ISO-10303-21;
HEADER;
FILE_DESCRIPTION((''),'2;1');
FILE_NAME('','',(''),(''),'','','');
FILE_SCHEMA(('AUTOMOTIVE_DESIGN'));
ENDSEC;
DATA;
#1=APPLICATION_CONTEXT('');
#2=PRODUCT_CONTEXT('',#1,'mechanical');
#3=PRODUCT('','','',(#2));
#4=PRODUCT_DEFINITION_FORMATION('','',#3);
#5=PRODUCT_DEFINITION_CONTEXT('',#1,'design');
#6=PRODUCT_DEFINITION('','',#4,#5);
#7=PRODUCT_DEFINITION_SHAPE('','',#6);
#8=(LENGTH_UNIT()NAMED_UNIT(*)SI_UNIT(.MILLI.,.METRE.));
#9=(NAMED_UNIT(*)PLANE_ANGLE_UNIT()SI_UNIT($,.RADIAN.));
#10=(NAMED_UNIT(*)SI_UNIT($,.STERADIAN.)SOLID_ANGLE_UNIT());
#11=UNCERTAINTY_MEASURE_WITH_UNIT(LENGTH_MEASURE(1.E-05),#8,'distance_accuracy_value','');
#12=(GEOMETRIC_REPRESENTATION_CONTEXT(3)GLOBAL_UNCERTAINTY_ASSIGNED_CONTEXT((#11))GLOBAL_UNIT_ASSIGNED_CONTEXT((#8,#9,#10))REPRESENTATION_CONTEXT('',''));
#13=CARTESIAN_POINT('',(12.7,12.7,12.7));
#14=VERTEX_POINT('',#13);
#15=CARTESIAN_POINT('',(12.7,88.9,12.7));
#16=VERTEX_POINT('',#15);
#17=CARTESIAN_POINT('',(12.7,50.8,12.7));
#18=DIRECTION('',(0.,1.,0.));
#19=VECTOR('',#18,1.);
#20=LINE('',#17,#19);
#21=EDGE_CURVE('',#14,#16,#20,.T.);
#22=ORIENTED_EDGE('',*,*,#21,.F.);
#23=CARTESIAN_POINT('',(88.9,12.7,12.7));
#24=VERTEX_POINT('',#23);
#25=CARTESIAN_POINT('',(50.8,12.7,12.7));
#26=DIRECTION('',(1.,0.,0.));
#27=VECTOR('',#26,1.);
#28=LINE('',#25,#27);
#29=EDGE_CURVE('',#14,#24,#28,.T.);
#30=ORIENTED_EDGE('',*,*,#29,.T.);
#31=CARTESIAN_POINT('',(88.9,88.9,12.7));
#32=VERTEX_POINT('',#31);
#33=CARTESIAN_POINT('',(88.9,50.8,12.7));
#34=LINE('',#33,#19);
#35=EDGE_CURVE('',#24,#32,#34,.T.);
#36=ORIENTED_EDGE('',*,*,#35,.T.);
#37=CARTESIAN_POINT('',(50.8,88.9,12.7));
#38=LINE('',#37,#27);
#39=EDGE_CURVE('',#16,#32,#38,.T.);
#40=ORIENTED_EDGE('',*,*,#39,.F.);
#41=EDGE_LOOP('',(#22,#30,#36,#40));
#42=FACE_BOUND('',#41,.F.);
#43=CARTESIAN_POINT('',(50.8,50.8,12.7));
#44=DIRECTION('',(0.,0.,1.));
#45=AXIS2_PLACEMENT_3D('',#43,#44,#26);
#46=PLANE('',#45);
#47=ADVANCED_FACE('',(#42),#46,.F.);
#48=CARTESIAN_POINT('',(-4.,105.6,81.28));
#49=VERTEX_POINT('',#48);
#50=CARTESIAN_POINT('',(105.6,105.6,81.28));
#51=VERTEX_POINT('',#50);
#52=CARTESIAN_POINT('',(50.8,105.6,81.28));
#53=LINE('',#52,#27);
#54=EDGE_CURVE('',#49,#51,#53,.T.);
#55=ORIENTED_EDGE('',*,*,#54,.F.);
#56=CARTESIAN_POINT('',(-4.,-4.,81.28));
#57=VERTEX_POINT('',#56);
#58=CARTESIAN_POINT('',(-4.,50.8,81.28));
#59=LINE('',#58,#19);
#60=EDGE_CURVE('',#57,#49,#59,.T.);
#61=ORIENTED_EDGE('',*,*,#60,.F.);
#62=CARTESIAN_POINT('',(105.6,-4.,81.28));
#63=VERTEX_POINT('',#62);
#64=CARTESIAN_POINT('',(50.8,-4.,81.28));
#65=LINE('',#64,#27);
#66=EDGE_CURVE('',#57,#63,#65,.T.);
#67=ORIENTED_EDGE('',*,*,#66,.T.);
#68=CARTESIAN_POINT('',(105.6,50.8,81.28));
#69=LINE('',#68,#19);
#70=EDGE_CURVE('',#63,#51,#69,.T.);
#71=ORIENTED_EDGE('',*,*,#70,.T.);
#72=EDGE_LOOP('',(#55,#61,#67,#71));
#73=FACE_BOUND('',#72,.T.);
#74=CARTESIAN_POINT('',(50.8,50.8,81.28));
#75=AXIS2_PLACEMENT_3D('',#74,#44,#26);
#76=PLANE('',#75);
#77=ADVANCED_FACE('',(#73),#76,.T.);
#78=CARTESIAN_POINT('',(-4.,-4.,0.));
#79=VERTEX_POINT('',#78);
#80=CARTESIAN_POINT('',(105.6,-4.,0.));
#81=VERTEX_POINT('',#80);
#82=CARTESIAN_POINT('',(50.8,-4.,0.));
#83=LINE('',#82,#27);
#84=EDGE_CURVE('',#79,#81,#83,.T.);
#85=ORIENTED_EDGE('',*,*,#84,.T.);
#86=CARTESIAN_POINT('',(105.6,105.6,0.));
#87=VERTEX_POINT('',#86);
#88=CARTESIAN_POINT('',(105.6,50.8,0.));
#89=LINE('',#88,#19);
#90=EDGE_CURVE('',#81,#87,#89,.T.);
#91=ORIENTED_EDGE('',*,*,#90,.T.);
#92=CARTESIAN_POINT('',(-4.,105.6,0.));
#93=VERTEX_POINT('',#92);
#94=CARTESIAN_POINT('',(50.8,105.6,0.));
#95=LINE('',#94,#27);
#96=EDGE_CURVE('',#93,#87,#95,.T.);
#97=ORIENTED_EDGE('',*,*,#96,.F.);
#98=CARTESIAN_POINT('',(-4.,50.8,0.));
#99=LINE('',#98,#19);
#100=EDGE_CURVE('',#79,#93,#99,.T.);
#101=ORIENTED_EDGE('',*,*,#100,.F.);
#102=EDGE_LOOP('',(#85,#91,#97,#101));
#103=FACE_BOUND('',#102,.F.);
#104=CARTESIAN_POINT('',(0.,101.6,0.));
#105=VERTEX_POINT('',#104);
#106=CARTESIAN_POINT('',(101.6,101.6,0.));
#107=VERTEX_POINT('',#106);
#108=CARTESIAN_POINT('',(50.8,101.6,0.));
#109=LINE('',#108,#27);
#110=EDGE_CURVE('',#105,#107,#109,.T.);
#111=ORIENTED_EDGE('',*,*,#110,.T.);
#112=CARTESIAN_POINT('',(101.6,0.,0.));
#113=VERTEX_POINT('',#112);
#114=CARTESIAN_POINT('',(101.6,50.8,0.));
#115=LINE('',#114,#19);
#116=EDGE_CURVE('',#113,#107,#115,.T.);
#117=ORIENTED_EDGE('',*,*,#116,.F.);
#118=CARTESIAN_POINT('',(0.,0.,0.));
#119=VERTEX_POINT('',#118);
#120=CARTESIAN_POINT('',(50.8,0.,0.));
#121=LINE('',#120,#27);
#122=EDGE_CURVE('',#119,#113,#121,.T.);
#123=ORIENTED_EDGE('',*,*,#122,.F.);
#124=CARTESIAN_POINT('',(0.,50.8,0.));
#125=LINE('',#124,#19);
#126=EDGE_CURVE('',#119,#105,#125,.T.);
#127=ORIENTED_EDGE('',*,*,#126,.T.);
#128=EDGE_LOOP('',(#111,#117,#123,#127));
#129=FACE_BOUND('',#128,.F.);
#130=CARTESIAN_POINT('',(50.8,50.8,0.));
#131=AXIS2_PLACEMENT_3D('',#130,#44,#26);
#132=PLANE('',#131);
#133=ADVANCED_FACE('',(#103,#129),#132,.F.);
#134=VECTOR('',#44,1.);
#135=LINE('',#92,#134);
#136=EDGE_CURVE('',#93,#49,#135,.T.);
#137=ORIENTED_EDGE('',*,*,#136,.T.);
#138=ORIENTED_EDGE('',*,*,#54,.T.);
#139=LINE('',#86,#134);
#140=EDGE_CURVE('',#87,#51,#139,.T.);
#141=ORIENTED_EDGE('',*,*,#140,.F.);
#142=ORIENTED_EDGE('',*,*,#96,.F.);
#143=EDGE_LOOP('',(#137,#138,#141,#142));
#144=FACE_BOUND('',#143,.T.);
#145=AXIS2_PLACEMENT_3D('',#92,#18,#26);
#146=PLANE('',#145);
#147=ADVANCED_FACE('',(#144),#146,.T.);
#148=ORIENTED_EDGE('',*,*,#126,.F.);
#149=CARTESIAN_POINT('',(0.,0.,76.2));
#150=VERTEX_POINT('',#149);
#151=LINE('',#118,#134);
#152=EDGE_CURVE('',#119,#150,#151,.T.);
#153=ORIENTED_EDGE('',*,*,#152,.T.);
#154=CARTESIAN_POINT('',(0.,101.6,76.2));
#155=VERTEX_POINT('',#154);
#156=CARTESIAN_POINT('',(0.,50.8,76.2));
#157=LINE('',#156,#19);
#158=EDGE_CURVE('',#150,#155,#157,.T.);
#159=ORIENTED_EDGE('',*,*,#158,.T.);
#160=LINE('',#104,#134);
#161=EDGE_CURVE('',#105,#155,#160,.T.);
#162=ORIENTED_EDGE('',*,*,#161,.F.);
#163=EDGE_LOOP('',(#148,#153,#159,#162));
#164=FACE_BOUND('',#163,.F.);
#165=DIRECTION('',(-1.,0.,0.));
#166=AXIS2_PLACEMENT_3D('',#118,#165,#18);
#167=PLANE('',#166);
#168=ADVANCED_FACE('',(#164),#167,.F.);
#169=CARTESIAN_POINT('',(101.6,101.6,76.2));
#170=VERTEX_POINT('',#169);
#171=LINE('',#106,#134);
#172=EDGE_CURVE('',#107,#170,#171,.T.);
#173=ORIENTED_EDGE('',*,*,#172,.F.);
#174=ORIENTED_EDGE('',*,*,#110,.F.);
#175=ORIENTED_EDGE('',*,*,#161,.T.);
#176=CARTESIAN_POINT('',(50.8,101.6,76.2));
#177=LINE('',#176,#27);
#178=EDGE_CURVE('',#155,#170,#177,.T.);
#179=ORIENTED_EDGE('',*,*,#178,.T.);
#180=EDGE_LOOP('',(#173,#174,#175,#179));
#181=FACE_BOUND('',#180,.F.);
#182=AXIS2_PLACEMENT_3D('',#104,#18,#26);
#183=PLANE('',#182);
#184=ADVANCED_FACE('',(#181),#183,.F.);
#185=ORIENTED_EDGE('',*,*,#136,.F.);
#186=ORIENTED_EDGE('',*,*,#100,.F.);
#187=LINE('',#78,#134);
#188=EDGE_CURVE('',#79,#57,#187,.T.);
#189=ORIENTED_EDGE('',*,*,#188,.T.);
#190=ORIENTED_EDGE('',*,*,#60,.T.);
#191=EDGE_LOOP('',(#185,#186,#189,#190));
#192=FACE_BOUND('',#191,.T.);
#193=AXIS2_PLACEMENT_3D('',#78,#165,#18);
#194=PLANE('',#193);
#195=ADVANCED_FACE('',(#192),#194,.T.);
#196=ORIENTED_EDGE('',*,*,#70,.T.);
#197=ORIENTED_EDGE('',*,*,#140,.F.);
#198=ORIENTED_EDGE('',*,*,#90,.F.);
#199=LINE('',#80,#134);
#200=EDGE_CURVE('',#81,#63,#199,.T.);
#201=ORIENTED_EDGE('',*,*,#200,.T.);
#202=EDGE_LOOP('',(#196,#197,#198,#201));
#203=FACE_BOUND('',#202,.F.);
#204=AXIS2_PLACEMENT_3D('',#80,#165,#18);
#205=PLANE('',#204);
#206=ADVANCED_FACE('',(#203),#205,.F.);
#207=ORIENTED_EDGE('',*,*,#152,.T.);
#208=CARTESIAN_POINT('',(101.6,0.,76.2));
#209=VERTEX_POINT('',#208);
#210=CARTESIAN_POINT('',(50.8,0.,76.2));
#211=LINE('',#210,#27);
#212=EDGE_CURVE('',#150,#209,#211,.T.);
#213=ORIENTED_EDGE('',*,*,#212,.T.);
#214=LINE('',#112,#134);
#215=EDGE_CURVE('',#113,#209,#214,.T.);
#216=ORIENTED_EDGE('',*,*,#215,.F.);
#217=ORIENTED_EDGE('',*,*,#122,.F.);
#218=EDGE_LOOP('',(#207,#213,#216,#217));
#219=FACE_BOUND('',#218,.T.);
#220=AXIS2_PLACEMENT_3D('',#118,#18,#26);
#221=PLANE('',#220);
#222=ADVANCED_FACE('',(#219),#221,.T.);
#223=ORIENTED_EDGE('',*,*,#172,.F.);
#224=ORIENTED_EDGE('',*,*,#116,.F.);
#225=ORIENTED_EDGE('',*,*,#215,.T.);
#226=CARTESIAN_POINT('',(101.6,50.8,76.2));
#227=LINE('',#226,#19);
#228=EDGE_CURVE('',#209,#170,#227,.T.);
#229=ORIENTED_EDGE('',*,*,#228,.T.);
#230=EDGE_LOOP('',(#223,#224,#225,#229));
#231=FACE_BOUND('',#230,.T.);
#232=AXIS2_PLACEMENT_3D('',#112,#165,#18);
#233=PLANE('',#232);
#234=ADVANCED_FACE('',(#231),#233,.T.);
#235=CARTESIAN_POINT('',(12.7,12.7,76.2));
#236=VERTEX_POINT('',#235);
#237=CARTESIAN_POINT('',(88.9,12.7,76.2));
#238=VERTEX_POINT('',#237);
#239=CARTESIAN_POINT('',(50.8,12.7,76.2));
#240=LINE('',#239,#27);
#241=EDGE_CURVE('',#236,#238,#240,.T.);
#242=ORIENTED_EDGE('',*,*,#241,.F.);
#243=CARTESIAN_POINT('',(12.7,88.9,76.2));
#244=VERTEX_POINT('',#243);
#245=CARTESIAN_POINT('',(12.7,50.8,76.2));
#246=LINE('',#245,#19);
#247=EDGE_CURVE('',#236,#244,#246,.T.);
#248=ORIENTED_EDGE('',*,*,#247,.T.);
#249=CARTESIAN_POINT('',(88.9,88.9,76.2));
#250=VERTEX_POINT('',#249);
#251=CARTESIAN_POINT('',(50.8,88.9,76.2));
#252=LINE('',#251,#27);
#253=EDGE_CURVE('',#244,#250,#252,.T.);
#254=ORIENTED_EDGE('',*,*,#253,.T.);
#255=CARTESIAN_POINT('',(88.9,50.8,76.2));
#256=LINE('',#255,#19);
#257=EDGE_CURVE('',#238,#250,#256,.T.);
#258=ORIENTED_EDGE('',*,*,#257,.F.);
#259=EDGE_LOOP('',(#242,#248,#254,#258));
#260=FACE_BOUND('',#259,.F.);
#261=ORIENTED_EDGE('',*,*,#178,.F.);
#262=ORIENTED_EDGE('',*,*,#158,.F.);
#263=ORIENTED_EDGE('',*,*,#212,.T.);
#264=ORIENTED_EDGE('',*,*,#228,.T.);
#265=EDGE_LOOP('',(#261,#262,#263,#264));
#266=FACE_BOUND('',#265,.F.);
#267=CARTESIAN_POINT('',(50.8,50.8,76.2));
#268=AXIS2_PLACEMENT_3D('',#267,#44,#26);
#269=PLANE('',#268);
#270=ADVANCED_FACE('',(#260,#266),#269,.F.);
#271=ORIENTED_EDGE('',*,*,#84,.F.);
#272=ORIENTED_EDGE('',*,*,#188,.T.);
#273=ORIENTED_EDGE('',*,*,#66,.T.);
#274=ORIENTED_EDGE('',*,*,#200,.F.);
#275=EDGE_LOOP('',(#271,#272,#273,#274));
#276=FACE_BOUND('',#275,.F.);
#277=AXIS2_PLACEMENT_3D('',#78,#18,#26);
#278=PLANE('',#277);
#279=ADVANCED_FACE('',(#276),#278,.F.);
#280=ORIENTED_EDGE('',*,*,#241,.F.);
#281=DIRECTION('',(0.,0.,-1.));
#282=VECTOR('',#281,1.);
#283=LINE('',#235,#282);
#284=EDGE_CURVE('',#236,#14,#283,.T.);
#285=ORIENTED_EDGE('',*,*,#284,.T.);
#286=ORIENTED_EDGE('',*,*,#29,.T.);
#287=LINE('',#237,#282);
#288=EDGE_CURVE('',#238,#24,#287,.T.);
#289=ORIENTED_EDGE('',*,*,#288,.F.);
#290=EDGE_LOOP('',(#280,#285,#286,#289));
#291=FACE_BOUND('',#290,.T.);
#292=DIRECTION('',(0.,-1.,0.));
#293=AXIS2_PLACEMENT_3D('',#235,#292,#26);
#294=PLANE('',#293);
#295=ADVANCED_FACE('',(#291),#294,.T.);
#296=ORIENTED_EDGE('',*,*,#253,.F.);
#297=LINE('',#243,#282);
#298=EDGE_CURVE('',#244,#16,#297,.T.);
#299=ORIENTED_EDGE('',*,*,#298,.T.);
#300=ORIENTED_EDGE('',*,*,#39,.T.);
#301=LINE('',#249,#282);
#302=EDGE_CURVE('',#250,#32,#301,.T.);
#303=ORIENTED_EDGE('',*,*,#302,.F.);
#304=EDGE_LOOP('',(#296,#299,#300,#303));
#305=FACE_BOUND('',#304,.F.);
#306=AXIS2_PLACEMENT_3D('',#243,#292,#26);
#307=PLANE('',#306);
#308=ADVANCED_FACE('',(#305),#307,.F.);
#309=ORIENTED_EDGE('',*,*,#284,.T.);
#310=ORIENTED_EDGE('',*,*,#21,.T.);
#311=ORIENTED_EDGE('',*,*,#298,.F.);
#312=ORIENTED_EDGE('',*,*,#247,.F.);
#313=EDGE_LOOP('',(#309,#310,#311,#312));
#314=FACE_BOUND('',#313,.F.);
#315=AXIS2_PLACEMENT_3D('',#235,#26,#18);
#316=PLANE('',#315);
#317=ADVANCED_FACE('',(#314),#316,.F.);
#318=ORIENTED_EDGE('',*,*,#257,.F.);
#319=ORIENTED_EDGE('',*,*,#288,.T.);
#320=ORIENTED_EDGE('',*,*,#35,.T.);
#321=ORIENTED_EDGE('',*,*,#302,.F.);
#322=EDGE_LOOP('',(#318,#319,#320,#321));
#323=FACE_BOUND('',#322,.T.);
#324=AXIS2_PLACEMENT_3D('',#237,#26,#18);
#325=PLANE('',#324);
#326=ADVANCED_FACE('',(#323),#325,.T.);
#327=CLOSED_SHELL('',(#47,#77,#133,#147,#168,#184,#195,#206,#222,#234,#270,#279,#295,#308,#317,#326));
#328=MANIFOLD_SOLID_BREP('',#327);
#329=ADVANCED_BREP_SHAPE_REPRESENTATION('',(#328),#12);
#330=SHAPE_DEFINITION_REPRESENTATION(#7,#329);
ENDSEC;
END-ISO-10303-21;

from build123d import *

# Parameters (mm, degrees)
F0_W     = 101.6
F0_H     = 101.6
F1_DEPTH = 76.2
F2_W     = 76.2
F2_H     = 76.2
F3_DEPTH = 63.5
F4_W     = 109.6
F4_H     = 109.6
F5_DEPTH = 81.28


with BuildPart() as f1:
    # F0 (on Top) → F1 (new body)
    with BuildSketch(Plane.XY):
        with Locations((50.8, 50.8)):
            Rectangle(F0_W, F0_H)
    extrude(amount=F1_DEPTH)

    # F2 (on face) → F3 (cut)
    with BuildSketch(Plane.XY.offset(76.2)):
        with Locations((50.8, 50.8)):
            Rectangle(F2_W, F2_H)
    extrude(amount=-F3_DEPTH, mode=Mode.SUBTRACT)


with BuildPart() as f5:
    # F4 (on Top) → F5 (new body)
    with BuildSketch(Plane.XY):
        with Locations((50.8, 50.8)):
            Rectangle(F4_W, F4_H)
    extrude(amount=F5_DEPTH)

    # F6: cut F1
    add(f1.part, mode=Mode.SUBTRACT)


solid = f5.part
